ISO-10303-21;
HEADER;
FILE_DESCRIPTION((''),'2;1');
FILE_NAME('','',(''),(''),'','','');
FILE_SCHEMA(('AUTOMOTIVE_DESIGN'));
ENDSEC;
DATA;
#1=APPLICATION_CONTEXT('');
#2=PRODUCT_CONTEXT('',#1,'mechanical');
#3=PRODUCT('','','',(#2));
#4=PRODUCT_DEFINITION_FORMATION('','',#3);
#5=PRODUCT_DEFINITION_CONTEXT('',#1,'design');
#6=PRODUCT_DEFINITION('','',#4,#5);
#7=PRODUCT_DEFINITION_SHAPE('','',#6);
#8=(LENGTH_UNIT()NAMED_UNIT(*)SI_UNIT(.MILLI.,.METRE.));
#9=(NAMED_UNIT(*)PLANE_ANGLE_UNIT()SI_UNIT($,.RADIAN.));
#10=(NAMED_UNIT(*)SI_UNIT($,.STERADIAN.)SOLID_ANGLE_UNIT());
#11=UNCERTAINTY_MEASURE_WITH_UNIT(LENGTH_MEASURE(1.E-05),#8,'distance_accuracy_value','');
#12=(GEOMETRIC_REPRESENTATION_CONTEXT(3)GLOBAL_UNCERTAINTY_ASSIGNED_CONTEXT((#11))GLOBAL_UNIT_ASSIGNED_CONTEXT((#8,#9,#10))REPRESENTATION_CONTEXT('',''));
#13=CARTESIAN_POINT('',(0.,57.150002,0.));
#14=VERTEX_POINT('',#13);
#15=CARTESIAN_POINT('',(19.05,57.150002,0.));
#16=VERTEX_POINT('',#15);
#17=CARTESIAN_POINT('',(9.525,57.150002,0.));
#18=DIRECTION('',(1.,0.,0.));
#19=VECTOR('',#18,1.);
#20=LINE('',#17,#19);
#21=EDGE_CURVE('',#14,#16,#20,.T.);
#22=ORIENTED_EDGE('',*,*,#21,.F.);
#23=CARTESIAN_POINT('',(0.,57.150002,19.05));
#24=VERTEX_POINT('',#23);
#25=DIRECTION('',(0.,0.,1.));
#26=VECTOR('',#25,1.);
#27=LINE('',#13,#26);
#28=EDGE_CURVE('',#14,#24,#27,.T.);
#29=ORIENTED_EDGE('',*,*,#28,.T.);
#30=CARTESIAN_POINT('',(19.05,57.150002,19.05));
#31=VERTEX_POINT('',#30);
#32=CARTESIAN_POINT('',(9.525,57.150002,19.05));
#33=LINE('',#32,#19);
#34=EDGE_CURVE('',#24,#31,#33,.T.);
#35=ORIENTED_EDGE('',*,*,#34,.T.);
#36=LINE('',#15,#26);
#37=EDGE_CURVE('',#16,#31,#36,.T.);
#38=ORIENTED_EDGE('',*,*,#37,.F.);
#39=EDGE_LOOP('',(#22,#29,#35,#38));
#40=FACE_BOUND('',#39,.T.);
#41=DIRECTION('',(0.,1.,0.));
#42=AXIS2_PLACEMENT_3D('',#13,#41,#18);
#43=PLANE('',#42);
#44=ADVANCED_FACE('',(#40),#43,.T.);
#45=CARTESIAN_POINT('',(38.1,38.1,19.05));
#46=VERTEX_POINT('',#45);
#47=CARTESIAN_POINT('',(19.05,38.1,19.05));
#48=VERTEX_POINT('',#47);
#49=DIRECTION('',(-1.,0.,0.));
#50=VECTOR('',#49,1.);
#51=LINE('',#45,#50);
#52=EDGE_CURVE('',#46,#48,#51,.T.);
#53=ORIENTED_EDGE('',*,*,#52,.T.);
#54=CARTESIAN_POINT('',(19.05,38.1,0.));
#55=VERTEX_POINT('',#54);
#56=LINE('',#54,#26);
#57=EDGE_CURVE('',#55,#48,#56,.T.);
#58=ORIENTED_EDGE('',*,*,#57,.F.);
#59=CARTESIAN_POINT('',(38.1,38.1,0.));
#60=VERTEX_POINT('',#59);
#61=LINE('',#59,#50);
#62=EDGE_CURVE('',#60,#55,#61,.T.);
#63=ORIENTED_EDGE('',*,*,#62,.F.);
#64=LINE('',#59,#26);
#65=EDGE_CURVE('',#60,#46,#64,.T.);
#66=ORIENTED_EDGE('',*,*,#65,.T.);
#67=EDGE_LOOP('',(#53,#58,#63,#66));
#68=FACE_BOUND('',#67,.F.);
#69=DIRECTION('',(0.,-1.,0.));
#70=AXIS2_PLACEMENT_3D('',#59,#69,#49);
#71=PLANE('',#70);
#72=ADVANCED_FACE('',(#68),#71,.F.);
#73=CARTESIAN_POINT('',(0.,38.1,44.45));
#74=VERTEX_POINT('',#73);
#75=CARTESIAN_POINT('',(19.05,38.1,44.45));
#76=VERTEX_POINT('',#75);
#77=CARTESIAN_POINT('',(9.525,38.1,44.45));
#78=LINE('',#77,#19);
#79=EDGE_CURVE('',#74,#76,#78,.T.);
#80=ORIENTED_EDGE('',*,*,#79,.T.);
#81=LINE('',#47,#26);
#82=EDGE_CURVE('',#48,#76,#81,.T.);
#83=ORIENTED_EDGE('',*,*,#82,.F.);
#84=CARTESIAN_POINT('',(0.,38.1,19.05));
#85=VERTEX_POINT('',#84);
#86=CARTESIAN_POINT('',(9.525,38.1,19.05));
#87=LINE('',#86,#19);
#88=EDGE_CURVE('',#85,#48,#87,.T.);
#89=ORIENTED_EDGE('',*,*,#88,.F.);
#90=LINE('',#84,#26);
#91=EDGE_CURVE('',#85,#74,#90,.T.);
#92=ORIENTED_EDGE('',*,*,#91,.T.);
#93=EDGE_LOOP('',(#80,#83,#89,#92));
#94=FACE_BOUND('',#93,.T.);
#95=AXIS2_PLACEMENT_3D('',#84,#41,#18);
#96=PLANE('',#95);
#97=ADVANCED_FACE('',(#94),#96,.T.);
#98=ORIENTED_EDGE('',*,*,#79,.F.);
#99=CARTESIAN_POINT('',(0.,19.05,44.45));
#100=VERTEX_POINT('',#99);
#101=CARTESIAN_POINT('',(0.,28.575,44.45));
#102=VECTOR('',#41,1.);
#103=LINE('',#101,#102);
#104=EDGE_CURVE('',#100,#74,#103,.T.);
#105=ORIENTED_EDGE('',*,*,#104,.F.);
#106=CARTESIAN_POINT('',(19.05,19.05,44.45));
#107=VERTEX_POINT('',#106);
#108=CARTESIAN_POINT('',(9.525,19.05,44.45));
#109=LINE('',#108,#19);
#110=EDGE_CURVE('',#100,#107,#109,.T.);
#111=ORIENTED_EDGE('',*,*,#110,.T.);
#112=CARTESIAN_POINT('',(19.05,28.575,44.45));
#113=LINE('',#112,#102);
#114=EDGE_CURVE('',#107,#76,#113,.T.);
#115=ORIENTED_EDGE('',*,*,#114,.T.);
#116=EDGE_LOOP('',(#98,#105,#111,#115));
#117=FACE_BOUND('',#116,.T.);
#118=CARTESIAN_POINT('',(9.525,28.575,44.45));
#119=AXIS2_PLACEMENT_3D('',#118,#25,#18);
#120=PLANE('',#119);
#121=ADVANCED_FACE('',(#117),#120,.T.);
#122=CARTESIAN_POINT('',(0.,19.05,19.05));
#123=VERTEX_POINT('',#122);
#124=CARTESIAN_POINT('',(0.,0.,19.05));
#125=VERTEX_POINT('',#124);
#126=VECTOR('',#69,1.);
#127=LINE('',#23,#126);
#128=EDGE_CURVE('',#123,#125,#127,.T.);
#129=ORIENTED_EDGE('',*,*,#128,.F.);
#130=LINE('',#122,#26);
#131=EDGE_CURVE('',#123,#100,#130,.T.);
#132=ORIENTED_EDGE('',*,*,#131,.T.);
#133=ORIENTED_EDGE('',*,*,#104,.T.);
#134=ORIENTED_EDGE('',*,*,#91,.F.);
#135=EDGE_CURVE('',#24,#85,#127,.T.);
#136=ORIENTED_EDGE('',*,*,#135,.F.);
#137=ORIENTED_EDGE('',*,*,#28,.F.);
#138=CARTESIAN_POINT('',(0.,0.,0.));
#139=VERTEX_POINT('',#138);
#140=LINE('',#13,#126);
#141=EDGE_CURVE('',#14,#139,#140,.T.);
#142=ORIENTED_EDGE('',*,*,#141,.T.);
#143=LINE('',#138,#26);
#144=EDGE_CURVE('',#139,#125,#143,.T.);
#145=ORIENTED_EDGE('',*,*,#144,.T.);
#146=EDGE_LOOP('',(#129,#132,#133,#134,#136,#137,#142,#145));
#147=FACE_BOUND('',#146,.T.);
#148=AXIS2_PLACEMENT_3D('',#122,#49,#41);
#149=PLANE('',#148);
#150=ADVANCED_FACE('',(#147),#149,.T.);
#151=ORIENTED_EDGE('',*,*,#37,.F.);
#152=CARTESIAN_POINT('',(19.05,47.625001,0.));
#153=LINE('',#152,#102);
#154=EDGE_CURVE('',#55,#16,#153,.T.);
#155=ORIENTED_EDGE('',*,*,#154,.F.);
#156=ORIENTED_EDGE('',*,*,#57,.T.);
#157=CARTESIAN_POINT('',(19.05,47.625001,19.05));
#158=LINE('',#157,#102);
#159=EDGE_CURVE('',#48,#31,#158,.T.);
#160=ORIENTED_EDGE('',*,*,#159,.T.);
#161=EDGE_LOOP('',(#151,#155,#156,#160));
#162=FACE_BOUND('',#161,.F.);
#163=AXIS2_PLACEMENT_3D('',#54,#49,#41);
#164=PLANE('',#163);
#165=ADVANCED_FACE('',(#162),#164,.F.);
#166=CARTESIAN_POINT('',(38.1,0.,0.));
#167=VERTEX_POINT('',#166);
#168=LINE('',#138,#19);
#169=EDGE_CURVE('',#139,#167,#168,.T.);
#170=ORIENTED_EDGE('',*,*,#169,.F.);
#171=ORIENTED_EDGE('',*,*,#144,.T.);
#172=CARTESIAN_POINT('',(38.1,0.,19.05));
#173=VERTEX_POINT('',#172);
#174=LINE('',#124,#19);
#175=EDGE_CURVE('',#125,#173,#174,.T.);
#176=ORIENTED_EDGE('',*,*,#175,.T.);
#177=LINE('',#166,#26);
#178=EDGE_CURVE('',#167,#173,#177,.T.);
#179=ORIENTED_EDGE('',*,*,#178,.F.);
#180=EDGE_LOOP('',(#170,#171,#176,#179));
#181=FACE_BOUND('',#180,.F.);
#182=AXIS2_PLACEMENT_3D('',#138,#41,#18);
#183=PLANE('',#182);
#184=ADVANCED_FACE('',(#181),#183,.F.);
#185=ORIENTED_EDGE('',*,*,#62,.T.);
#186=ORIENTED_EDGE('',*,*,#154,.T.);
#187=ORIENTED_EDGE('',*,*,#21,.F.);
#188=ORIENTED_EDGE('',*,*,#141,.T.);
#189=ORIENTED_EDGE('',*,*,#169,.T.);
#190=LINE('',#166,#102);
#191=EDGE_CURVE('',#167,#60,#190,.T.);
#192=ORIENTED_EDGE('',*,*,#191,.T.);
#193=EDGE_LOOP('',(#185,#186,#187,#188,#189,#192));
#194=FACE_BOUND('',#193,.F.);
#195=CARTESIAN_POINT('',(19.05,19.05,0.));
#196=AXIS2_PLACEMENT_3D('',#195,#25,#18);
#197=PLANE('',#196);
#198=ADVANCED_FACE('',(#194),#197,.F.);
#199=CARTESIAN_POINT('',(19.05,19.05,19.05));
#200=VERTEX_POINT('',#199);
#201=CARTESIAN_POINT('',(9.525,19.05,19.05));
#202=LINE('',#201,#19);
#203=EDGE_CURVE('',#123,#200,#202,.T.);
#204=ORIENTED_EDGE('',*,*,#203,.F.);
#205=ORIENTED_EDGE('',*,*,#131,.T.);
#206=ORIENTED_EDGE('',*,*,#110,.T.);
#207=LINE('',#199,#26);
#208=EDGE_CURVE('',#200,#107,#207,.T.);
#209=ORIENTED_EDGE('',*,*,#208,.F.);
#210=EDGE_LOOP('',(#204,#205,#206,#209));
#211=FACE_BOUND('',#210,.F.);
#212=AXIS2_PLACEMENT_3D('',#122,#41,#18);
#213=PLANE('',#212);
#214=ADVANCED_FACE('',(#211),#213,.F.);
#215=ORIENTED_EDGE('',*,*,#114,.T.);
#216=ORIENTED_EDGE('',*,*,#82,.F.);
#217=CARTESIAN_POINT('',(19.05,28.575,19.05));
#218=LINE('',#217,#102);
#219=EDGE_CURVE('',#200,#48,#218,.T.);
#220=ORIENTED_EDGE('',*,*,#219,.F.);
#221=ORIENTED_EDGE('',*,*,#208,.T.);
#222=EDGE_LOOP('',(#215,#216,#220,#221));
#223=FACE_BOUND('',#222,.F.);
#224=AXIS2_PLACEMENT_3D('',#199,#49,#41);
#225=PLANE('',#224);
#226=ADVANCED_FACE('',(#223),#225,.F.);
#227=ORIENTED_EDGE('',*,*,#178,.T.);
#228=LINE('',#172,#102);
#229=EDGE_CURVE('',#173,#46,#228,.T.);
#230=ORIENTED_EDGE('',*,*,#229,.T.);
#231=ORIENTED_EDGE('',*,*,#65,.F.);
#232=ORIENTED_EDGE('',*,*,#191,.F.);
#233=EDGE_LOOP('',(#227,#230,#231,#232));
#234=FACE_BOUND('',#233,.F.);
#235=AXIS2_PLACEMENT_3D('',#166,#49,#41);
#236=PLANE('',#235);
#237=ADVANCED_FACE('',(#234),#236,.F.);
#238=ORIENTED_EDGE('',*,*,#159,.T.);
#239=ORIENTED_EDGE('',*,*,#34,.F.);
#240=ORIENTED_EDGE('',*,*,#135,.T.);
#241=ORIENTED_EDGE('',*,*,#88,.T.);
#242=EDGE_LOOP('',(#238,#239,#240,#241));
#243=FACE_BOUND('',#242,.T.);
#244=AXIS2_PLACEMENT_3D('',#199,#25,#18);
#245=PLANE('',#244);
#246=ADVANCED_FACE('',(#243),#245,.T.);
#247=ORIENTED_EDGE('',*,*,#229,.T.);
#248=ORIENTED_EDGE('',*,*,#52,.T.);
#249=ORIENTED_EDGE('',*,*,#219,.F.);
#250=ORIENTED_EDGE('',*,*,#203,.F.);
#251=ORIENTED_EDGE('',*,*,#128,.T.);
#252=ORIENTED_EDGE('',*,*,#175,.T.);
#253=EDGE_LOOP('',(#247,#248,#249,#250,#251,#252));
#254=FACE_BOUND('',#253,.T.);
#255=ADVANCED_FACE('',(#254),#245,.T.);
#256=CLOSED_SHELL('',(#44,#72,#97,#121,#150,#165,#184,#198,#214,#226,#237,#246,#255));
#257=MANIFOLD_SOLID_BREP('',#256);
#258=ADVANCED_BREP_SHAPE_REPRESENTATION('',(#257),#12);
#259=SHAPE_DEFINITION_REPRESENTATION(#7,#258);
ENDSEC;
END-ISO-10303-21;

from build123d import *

# Parameters (mm, degrees)
F0_W     = 19.05
F0_H     = 19.050003
F1_DEPTH = 19.05
F2_W     = 19.05
F2_H     = 19.05
F3_DEPTH = 25.4


with BuildPart() as f1:
    # F0 (on Top) → F1 (new body)
    with BuildSketch(Plane.XY):
        Polygon((0, 38.1), (0, 0), (38.1, 0), (38.1, 38.1), (19.05, 38.1), align=None)
        with Locations((9.525, 47.625001)):
            Rectangle(F0_W, F0_H)
    extrude(amount=F1_DEPTH)

    # F2 (on face) → F3 (join)
    with BuildSketch(Plane.XY.offset(19.05)):
        with Locations((9.525, 28.575)):
            Rectangle(F2_W, F2_H)
    extrude(amount=F3_DEPTH)


solid = f1.part
